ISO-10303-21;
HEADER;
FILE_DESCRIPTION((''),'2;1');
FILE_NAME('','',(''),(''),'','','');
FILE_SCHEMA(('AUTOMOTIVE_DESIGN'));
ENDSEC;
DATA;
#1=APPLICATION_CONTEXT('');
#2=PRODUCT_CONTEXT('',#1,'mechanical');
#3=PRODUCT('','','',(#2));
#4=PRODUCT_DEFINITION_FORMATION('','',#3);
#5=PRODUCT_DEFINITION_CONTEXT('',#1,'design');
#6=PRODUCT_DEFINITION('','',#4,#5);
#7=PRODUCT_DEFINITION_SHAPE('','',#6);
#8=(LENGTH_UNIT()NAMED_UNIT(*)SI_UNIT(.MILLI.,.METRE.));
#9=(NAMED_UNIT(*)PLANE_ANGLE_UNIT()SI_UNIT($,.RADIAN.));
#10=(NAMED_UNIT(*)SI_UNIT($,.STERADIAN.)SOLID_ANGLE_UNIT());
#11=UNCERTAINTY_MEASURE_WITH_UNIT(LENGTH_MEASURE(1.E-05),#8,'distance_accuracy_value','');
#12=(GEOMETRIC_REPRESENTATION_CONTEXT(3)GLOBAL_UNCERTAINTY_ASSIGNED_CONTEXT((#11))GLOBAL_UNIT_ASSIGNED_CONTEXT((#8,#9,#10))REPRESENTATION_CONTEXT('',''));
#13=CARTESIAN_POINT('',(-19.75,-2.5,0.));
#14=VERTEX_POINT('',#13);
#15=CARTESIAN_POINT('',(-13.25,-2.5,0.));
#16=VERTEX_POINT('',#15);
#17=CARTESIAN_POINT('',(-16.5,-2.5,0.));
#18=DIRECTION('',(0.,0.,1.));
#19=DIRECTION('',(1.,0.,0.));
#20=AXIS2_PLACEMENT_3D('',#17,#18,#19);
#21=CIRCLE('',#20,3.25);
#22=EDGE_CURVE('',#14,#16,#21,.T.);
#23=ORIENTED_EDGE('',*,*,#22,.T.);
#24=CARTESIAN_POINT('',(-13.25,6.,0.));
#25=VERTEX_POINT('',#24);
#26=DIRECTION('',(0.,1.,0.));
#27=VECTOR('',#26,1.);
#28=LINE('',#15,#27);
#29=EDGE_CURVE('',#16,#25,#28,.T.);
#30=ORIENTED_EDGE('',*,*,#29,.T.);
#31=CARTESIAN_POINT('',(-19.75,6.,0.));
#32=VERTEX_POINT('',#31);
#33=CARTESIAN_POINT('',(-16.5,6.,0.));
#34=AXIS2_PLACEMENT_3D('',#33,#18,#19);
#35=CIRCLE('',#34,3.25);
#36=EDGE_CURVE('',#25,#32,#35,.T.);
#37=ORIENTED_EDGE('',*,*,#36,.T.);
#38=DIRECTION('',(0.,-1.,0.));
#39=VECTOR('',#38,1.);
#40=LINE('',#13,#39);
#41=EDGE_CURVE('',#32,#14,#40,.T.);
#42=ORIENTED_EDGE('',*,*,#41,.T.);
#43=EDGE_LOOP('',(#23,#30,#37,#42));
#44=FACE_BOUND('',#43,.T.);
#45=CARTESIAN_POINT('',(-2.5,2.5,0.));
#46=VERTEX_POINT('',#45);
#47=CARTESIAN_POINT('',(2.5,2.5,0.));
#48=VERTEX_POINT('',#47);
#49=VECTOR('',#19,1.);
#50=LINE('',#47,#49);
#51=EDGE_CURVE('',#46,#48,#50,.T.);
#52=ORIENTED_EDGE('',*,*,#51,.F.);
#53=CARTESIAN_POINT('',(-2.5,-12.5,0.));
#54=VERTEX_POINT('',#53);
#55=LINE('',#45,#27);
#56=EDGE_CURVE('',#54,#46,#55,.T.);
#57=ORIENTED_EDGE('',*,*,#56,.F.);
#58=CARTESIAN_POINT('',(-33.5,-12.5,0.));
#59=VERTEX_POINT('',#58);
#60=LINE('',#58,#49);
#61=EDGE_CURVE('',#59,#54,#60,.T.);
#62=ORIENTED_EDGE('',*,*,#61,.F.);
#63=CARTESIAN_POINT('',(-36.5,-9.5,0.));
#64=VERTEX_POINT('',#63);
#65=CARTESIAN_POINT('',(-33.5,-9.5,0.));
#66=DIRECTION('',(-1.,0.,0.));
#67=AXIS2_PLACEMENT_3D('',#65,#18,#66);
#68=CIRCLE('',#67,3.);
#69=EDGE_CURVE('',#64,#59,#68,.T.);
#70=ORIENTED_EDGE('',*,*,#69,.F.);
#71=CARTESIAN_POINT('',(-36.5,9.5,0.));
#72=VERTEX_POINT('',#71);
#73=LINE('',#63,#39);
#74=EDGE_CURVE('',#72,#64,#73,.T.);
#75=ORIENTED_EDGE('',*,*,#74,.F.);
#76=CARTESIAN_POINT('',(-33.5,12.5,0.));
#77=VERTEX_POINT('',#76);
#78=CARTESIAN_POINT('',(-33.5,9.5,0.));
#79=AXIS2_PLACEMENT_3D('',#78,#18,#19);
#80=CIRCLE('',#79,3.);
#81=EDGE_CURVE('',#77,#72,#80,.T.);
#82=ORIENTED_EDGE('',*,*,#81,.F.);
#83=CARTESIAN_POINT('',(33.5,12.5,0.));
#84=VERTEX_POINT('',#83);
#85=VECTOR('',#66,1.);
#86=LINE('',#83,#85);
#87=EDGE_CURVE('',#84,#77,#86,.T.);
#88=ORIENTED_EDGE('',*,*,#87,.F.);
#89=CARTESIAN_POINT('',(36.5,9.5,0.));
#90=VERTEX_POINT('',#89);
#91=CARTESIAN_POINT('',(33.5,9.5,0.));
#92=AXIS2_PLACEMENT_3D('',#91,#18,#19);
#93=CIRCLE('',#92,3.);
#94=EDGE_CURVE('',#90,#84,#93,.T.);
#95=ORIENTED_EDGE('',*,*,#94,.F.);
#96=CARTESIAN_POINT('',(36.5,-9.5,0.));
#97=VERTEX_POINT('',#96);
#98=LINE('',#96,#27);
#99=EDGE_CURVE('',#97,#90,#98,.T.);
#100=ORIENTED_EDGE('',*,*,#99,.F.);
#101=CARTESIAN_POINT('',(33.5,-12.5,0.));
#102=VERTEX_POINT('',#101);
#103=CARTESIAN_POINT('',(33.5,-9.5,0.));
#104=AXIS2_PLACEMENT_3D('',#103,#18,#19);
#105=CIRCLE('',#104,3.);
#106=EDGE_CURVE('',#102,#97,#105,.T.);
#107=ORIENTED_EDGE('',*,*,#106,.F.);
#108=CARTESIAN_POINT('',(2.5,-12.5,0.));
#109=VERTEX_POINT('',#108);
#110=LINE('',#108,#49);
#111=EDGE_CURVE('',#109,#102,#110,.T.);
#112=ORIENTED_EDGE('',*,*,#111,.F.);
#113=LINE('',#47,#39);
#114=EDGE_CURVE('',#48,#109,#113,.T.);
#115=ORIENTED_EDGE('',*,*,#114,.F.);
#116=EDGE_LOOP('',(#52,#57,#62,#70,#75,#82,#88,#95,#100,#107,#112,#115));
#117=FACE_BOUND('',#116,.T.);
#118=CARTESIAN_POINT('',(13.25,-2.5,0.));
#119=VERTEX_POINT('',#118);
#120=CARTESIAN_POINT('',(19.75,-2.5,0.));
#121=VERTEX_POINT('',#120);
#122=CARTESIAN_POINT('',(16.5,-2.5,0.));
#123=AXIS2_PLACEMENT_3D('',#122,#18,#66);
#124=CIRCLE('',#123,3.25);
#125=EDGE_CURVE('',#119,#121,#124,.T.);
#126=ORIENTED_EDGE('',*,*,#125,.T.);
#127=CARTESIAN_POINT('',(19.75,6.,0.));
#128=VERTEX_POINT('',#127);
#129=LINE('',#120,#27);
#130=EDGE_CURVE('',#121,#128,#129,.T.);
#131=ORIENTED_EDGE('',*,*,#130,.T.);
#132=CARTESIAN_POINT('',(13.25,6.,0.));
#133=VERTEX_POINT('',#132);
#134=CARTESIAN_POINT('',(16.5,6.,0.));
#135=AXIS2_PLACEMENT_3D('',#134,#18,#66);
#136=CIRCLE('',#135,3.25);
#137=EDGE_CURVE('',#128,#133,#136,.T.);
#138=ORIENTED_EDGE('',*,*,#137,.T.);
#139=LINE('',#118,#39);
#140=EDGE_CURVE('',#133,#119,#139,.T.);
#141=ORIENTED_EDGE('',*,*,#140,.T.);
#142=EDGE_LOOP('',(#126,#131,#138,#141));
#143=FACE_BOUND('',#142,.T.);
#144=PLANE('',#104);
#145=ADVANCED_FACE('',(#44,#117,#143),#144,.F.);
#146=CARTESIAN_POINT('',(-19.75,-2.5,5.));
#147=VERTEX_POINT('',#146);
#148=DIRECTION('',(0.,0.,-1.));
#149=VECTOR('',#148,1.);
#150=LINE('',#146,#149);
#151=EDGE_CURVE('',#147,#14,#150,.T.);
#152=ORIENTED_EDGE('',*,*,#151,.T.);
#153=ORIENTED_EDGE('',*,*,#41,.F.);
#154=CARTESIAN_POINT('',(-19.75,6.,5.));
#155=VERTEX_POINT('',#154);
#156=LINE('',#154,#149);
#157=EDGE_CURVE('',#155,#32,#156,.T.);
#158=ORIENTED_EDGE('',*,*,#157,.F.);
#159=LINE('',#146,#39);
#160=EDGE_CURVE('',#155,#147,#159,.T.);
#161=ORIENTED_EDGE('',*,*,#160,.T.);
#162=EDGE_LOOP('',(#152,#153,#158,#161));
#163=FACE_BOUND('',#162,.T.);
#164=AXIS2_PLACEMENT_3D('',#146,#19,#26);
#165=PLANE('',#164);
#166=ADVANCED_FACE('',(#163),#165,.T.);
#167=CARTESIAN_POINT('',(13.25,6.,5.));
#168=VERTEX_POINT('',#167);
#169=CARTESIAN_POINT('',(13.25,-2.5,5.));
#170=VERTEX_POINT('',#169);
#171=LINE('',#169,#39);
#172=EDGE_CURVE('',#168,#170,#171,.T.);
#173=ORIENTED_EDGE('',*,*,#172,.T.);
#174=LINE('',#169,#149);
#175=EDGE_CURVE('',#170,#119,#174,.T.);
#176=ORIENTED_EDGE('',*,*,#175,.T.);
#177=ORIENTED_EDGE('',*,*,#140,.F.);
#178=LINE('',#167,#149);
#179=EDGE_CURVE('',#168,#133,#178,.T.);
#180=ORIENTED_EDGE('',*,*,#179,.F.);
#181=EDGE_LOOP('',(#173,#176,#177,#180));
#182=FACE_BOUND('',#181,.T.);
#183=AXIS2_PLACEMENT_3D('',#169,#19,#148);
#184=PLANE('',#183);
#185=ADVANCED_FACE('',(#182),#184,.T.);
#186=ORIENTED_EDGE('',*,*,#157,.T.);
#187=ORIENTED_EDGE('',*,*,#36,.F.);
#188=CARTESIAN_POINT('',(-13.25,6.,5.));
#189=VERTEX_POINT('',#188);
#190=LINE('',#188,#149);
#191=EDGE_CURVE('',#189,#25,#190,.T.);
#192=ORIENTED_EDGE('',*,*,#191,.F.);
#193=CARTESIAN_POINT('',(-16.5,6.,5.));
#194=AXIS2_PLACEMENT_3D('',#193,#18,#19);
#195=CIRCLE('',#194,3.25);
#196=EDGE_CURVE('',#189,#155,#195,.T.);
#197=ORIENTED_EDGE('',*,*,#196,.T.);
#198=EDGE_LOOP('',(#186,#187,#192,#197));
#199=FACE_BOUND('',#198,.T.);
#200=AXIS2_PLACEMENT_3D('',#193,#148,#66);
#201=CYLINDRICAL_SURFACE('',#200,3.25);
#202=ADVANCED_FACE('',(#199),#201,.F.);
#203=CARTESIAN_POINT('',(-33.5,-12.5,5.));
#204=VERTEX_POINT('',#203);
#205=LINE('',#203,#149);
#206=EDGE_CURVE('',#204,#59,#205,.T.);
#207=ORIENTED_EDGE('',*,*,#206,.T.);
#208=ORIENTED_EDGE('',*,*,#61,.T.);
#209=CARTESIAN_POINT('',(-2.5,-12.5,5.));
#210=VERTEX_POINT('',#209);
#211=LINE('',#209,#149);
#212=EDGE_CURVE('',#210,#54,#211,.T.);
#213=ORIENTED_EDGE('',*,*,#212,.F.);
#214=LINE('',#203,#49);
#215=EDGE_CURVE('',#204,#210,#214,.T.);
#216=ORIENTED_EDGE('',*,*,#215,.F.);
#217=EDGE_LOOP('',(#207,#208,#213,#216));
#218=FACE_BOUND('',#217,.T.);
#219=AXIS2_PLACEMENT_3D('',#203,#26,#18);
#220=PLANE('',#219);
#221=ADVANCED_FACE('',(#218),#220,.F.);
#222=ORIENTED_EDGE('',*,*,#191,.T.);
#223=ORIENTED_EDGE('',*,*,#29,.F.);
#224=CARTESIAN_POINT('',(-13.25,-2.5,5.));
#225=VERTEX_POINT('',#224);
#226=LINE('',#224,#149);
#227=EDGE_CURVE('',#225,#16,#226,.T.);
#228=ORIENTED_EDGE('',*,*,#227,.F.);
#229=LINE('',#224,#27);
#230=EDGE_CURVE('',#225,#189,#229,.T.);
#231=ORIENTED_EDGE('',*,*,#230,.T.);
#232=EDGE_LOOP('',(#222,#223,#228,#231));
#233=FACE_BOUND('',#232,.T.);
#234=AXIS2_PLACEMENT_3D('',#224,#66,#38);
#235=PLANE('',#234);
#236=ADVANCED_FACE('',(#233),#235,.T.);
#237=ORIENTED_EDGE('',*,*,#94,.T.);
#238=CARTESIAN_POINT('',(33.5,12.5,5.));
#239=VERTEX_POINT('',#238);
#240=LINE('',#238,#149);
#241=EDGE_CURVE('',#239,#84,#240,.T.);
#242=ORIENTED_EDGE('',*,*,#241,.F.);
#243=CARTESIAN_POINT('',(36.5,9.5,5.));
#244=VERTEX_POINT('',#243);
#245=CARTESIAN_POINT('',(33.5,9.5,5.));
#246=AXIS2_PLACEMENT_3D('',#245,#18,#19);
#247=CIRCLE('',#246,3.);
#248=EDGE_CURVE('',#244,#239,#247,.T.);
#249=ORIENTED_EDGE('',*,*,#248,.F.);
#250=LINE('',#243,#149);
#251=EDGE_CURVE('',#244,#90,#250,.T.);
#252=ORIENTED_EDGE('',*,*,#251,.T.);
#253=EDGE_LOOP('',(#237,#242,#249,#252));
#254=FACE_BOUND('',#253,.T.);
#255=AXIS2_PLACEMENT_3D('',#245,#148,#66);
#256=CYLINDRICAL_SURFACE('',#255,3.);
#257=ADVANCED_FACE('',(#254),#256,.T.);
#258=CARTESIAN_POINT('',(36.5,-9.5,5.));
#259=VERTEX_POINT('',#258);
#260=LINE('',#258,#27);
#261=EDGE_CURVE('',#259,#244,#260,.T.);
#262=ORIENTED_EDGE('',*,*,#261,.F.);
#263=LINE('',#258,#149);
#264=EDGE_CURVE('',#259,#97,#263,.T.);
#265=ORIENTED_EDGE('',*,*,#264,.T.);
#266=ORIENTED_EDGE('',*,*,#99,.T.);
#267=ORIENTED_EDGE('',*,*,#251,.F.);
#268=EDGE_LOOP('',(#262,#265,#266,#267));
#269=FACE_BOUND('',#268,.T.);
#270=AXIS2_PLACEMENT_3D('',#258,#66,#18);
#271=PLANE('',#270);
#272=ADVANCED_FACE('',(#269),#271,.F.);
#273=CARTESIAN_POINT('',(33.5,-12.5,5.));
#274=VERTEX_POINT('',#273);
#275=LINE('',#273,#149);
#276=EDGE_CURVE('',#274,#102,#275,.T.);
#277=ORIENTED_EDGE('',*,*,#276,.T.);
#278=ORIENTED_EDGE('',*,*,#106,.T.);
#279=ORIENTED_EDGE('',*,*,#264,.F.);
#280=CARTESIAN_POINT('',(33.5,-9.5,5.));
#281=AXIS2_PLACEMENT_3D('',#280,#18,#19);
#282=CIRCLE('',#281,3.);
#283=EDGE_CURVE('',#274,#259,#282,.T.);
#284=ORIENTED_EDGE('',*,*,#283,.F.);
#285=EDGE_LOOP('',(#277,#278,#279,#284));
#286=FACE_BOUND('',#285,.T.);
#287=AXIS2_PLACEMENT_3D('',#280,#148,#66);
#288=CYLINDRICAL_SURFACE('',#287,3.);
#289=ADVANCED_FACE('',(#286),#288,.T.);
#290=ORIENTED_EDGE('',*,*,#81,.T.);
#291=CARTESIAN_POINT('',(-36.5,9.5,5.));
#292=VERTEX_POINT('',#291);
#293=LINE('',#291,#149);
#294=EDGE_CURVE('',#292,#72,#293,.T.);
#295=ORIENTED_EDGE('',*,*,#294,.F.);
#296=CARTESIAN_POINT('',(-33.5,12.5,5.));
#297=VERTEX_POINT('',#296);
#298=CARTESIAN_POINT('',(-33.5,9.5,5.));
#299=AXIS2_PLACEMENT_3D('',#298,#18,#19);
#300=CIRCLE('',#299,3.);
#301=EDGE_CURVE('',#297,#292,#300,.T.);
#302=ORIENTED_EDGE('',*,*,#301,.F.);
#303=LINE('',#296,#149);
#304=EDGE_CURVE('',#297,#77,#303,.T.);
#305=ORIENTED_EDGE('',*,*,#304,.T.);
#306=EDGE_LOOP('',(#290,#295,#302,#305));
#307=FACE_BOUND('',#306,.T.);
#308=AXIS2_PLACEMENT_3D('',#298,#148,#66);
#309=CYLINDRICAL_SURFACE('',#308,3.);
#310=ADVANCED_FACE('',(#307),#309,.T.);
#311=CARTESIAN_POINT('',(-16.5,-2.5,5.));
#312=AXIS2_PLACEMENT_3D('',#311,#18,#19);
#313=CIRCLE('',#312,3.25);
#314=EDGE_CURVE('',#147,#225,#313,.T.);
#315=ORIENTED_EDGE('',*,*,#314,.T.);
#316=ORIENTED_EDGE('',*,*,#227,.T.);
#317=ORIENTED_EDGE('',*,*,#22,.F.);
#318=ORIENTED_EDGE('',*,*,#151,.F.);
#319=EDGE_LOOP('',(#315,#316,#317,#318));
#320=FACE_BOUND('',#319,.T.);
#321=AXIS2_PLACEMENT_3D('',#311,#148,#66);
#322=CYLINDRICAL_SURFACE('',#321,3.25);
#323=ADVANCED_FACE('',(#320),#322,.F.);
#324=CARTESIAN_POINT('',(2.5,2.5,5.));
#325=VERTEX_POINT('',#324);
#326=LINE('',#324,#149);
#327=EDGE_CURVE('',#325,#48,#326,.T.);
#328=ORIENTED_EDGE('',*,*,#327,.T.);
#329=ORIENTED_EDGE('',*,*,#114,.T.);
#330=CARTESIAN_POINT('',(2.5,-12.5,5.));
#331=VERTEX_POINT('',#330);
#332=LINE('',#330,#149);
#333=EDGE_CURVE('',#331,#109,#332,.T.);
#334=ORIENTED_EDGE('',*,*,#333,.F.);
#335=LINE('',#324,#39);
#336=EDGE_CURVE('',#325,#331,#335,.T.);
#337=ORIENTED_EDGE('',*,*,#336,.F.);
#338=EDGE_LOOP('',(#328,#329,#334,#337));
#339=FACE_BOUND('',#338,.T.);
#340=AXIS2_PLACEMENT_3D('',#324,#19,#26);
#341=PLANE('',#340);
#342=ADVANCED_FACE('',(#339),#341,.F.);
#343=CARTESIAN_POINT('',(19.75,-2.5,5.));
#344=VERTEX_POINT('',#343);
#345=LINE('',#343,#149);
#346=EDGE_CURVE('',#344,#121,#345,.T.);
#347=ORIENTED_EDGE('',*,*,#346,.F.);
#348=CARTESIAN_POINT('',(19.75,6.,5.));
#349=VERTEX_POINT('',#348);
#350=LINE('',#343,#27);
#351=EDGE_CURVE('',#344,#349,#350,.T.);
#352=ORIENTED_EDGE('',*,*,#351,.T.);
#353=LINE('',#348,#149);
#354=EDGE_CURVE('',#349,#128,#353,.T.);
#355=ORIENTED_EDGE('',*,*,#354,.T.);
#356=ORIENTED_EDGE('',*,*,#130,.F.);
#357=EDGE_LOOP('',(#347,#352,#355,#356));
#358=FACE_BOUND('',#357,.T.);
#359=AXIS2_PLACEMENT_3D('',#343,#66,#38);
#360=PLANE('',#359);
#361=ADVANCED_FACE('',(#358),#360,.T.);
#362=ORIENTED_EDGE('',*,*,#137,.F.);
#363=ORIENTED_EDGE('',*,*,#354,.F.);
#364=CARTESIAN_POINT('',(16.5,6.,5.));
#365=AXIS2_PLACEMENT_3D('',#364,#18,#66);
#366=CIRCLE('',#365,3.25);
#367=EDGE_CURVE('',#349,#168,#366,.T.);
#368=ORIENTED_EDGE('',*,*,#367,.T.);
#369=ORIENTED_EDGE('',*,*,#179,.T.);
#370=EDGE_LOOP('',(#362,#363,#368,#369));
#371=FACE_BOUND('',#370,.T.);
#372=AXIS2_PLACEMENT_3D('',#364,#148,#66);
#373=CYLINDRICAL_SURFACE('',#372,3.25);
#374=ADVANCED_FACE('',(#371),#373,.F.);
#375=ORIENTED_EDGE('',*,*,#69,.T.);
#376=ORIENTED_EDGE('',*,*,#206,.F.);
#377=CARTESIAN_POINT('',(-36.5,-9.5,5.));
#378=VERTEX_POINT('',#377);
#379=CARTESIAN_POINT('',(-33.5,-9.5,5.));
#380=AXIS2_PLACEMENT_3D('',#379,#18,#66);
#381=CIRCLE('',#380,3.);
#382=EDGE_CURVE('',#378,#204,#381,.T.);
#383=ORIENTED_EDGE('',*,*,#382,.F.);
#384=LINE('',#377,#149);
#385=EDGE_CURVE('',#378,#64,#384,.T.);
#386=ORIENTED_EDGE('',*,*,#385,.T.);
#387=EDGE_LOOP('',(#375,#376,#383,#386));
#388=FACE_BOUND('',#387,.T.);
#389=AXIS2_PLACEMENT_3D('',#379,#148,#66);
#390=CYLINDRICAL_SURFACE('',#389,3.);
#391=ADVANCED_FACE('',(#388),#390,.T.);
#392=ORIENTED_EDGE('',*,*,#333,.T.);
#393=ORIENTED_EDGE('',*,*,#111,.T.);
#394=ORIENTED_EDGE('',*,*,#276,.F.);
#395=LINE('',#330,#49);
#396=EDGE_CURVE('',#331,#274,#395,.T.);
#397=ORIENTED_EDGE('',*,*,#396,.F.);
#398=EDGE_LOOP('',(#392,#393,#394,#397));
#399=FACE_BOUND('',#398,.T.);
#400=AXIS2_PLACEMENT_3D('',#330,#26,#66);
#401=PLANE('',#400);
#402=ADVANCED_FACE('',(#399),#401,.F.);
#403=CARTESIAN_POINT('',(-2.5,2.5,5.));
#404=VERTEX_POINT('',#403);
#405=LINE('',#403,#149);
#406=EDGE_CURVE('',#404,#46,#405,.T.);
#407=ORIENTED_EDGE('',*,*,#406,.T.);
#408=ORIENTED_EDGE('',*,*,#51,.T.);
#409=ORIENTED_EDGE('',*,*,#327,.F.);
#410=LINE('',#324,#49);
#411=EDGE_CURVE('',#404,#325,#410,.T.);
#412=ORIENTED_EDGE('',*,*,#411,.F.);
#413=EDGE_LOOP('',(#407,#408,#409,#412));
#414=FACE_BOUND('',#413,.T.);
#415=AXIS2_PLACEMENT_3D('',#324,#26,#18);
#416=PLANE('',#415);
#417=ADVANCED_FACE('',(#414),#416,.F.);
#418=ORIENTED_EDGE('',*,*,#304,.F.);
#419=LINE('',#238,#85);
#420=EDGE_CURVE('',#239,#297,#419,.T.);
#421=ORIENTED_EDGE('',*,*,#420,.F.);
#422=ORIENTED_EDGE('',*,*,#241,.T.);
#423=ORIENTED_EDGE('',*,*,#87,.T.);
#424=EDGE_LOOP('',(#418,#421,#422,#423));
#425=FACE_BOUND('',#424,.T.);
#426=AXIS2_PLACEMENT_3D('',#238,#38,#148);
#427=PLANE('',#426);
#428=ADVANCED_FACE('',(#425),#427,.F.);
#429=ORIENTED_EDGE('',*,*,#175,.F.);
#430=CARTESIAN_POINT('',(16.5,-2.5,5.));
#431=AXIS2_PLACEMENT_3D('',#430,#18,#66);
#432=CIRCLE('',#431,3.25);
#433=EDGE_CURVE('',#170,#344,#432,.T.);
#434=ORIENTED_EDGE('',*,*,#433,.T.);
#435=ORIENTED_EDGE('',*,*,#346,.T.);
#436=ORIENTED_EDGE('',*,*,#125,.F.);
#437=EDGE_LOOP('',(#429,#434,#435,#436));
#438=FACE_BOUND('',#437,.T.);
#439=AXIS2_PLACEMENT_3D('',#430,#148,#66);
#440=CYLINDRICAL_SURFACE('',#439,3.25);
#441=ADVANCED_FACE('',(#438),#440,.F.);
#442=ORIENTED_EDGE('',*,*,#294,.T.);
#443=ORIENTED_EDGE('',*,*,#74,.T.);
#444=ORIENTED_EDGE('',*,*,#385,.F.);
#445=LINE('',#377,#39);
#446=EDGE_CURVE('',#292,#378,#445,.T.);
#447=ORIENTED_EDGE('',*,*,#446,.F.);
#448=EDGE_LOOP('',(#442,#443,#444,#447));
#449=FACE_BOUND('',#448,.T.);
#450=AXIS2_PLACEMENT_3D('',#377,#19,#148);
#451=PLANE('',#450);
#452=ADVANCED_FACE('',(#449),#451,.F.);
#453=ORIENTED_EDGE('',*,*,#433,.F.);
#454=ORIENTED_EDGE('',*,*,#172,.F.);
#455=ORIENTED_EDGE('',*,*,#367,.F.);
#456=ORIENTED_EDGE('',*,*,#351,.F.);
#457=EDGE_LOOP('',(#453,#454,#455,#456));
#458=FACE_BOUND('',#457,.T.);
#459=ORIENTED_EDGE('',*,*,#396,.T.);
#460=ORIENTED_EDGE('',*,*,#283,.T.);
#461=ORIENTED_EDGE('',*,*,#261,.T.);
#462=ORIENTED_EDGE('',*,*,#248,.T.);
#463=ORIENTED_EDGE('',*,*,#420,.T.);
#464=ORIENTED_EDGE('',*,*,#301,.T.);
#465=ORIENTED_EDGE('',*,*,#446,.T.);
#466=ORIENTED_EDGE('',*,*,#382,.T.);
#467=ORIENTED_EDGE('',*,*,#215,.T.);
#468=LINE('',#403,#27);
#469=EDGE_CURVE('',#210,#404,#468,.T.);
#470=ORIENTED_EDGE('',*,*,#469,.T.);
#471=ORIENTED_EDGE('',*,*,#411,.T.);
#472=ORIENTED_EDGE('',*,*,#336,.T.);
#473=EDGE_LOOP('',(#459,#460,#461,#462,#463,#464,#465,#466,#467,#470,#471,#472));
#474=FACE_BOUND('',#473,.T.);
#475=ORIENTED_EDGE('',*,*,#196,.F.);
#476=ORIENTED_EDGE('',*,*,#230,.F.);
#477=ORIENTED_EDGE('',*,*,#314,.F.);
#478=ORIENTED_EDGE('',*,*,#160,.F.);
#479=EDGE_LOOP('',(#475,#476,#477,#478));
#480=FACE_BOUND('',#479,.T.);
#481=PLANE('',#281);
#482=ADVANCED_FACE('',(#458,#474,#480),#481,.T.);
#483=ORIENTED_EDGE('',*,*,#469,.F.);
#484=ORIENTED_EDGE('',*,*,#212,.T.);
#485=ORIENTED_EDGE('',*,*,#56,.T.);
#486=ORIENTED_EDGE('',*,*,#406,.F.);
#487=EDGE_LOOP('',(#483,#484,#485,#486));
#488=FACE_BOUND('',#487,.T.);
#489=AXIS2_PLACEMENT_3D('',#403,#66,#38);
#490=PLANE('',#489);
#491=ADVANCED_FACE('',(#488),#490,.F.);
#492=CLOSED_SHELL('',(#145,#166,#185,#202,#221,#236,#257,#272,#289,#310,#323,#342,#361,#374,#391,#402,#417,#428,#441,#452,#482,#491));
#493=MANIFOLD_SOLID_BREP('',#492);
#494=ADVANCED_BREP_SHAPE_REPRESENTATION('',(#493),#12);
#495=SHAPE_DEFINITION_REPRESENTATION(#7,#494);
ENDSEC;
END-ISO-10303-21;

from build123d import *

# Parameters (mm, degrees)
EXTRUDE_1_DEPTH = 5


with BuildPart() as part:
    # 草图1 → 凸台-拉伸1 (new body)
    with BuildSketch(Plane.XY):
        with BuildLine():
            Line((36.5, -9.5), (36.5, 9.5))
            ThreePointArc((36.5, 9.5), (35.621320344, 11.621320344), (33.5, 12.5))
            Line((33.5, 12.5), (-33.5, 12.5))
            ThreePointArc((-33.5, 12.5), (-35.621320344, 11.621320344), (-36.5, 9.5))
            Line((-36.5, 9.5), (-36.5, -9.5))
            ThreePointArc((-36.5, -9.5), (-35.621320344, -11.621320344), (-33.5, -12.5))
            Line((-33.5, -12.5), (-2.5, -12.5))
            Line((-2.5, -12.5), (-2.5, 2.5))
            Line((-2.5, 2.5), (2.5, 2.5))
            Line((2.5, 2.5), (2.5, -12.5))
            Line((2.5, -12.5), (33.5, -12.5))
            ThreePointArc((33.5, -12.5), (35.621320344, -11.621320344), (36.5, -9.5))
        make_face()
        with BuildLine():
            Line((-19.75, -2.5), (-19.75, 6))
            ThreePointArc((-19.75, 6), (-16.5, 9.25), (-13.25, 6))
            Line((-13.25, 6), (-13.25, -2.5))
            ThreePointArc((-13.25, -2.5), (-16.5, -5.75), (-19.75, -2.5))
        make_face(mode=Mode.SUBTRACT)
        with BuildLine():
            Line((19.75, -2.5), (19.75, 6))
            ThreePointArc((19.75, 6), (16.5, 9.25), (13.25, 6))
            Line((13.25, 6), (13.25, -2.5))
            ThreePointArc((13.25, -2.5), (16.5, -5.75), (19.75, -2.5))
        make_face(mode=Mode.SUBTRACT)
    extrude(amount=EXTRUDE_1_DEPTH)


solid = part.part
